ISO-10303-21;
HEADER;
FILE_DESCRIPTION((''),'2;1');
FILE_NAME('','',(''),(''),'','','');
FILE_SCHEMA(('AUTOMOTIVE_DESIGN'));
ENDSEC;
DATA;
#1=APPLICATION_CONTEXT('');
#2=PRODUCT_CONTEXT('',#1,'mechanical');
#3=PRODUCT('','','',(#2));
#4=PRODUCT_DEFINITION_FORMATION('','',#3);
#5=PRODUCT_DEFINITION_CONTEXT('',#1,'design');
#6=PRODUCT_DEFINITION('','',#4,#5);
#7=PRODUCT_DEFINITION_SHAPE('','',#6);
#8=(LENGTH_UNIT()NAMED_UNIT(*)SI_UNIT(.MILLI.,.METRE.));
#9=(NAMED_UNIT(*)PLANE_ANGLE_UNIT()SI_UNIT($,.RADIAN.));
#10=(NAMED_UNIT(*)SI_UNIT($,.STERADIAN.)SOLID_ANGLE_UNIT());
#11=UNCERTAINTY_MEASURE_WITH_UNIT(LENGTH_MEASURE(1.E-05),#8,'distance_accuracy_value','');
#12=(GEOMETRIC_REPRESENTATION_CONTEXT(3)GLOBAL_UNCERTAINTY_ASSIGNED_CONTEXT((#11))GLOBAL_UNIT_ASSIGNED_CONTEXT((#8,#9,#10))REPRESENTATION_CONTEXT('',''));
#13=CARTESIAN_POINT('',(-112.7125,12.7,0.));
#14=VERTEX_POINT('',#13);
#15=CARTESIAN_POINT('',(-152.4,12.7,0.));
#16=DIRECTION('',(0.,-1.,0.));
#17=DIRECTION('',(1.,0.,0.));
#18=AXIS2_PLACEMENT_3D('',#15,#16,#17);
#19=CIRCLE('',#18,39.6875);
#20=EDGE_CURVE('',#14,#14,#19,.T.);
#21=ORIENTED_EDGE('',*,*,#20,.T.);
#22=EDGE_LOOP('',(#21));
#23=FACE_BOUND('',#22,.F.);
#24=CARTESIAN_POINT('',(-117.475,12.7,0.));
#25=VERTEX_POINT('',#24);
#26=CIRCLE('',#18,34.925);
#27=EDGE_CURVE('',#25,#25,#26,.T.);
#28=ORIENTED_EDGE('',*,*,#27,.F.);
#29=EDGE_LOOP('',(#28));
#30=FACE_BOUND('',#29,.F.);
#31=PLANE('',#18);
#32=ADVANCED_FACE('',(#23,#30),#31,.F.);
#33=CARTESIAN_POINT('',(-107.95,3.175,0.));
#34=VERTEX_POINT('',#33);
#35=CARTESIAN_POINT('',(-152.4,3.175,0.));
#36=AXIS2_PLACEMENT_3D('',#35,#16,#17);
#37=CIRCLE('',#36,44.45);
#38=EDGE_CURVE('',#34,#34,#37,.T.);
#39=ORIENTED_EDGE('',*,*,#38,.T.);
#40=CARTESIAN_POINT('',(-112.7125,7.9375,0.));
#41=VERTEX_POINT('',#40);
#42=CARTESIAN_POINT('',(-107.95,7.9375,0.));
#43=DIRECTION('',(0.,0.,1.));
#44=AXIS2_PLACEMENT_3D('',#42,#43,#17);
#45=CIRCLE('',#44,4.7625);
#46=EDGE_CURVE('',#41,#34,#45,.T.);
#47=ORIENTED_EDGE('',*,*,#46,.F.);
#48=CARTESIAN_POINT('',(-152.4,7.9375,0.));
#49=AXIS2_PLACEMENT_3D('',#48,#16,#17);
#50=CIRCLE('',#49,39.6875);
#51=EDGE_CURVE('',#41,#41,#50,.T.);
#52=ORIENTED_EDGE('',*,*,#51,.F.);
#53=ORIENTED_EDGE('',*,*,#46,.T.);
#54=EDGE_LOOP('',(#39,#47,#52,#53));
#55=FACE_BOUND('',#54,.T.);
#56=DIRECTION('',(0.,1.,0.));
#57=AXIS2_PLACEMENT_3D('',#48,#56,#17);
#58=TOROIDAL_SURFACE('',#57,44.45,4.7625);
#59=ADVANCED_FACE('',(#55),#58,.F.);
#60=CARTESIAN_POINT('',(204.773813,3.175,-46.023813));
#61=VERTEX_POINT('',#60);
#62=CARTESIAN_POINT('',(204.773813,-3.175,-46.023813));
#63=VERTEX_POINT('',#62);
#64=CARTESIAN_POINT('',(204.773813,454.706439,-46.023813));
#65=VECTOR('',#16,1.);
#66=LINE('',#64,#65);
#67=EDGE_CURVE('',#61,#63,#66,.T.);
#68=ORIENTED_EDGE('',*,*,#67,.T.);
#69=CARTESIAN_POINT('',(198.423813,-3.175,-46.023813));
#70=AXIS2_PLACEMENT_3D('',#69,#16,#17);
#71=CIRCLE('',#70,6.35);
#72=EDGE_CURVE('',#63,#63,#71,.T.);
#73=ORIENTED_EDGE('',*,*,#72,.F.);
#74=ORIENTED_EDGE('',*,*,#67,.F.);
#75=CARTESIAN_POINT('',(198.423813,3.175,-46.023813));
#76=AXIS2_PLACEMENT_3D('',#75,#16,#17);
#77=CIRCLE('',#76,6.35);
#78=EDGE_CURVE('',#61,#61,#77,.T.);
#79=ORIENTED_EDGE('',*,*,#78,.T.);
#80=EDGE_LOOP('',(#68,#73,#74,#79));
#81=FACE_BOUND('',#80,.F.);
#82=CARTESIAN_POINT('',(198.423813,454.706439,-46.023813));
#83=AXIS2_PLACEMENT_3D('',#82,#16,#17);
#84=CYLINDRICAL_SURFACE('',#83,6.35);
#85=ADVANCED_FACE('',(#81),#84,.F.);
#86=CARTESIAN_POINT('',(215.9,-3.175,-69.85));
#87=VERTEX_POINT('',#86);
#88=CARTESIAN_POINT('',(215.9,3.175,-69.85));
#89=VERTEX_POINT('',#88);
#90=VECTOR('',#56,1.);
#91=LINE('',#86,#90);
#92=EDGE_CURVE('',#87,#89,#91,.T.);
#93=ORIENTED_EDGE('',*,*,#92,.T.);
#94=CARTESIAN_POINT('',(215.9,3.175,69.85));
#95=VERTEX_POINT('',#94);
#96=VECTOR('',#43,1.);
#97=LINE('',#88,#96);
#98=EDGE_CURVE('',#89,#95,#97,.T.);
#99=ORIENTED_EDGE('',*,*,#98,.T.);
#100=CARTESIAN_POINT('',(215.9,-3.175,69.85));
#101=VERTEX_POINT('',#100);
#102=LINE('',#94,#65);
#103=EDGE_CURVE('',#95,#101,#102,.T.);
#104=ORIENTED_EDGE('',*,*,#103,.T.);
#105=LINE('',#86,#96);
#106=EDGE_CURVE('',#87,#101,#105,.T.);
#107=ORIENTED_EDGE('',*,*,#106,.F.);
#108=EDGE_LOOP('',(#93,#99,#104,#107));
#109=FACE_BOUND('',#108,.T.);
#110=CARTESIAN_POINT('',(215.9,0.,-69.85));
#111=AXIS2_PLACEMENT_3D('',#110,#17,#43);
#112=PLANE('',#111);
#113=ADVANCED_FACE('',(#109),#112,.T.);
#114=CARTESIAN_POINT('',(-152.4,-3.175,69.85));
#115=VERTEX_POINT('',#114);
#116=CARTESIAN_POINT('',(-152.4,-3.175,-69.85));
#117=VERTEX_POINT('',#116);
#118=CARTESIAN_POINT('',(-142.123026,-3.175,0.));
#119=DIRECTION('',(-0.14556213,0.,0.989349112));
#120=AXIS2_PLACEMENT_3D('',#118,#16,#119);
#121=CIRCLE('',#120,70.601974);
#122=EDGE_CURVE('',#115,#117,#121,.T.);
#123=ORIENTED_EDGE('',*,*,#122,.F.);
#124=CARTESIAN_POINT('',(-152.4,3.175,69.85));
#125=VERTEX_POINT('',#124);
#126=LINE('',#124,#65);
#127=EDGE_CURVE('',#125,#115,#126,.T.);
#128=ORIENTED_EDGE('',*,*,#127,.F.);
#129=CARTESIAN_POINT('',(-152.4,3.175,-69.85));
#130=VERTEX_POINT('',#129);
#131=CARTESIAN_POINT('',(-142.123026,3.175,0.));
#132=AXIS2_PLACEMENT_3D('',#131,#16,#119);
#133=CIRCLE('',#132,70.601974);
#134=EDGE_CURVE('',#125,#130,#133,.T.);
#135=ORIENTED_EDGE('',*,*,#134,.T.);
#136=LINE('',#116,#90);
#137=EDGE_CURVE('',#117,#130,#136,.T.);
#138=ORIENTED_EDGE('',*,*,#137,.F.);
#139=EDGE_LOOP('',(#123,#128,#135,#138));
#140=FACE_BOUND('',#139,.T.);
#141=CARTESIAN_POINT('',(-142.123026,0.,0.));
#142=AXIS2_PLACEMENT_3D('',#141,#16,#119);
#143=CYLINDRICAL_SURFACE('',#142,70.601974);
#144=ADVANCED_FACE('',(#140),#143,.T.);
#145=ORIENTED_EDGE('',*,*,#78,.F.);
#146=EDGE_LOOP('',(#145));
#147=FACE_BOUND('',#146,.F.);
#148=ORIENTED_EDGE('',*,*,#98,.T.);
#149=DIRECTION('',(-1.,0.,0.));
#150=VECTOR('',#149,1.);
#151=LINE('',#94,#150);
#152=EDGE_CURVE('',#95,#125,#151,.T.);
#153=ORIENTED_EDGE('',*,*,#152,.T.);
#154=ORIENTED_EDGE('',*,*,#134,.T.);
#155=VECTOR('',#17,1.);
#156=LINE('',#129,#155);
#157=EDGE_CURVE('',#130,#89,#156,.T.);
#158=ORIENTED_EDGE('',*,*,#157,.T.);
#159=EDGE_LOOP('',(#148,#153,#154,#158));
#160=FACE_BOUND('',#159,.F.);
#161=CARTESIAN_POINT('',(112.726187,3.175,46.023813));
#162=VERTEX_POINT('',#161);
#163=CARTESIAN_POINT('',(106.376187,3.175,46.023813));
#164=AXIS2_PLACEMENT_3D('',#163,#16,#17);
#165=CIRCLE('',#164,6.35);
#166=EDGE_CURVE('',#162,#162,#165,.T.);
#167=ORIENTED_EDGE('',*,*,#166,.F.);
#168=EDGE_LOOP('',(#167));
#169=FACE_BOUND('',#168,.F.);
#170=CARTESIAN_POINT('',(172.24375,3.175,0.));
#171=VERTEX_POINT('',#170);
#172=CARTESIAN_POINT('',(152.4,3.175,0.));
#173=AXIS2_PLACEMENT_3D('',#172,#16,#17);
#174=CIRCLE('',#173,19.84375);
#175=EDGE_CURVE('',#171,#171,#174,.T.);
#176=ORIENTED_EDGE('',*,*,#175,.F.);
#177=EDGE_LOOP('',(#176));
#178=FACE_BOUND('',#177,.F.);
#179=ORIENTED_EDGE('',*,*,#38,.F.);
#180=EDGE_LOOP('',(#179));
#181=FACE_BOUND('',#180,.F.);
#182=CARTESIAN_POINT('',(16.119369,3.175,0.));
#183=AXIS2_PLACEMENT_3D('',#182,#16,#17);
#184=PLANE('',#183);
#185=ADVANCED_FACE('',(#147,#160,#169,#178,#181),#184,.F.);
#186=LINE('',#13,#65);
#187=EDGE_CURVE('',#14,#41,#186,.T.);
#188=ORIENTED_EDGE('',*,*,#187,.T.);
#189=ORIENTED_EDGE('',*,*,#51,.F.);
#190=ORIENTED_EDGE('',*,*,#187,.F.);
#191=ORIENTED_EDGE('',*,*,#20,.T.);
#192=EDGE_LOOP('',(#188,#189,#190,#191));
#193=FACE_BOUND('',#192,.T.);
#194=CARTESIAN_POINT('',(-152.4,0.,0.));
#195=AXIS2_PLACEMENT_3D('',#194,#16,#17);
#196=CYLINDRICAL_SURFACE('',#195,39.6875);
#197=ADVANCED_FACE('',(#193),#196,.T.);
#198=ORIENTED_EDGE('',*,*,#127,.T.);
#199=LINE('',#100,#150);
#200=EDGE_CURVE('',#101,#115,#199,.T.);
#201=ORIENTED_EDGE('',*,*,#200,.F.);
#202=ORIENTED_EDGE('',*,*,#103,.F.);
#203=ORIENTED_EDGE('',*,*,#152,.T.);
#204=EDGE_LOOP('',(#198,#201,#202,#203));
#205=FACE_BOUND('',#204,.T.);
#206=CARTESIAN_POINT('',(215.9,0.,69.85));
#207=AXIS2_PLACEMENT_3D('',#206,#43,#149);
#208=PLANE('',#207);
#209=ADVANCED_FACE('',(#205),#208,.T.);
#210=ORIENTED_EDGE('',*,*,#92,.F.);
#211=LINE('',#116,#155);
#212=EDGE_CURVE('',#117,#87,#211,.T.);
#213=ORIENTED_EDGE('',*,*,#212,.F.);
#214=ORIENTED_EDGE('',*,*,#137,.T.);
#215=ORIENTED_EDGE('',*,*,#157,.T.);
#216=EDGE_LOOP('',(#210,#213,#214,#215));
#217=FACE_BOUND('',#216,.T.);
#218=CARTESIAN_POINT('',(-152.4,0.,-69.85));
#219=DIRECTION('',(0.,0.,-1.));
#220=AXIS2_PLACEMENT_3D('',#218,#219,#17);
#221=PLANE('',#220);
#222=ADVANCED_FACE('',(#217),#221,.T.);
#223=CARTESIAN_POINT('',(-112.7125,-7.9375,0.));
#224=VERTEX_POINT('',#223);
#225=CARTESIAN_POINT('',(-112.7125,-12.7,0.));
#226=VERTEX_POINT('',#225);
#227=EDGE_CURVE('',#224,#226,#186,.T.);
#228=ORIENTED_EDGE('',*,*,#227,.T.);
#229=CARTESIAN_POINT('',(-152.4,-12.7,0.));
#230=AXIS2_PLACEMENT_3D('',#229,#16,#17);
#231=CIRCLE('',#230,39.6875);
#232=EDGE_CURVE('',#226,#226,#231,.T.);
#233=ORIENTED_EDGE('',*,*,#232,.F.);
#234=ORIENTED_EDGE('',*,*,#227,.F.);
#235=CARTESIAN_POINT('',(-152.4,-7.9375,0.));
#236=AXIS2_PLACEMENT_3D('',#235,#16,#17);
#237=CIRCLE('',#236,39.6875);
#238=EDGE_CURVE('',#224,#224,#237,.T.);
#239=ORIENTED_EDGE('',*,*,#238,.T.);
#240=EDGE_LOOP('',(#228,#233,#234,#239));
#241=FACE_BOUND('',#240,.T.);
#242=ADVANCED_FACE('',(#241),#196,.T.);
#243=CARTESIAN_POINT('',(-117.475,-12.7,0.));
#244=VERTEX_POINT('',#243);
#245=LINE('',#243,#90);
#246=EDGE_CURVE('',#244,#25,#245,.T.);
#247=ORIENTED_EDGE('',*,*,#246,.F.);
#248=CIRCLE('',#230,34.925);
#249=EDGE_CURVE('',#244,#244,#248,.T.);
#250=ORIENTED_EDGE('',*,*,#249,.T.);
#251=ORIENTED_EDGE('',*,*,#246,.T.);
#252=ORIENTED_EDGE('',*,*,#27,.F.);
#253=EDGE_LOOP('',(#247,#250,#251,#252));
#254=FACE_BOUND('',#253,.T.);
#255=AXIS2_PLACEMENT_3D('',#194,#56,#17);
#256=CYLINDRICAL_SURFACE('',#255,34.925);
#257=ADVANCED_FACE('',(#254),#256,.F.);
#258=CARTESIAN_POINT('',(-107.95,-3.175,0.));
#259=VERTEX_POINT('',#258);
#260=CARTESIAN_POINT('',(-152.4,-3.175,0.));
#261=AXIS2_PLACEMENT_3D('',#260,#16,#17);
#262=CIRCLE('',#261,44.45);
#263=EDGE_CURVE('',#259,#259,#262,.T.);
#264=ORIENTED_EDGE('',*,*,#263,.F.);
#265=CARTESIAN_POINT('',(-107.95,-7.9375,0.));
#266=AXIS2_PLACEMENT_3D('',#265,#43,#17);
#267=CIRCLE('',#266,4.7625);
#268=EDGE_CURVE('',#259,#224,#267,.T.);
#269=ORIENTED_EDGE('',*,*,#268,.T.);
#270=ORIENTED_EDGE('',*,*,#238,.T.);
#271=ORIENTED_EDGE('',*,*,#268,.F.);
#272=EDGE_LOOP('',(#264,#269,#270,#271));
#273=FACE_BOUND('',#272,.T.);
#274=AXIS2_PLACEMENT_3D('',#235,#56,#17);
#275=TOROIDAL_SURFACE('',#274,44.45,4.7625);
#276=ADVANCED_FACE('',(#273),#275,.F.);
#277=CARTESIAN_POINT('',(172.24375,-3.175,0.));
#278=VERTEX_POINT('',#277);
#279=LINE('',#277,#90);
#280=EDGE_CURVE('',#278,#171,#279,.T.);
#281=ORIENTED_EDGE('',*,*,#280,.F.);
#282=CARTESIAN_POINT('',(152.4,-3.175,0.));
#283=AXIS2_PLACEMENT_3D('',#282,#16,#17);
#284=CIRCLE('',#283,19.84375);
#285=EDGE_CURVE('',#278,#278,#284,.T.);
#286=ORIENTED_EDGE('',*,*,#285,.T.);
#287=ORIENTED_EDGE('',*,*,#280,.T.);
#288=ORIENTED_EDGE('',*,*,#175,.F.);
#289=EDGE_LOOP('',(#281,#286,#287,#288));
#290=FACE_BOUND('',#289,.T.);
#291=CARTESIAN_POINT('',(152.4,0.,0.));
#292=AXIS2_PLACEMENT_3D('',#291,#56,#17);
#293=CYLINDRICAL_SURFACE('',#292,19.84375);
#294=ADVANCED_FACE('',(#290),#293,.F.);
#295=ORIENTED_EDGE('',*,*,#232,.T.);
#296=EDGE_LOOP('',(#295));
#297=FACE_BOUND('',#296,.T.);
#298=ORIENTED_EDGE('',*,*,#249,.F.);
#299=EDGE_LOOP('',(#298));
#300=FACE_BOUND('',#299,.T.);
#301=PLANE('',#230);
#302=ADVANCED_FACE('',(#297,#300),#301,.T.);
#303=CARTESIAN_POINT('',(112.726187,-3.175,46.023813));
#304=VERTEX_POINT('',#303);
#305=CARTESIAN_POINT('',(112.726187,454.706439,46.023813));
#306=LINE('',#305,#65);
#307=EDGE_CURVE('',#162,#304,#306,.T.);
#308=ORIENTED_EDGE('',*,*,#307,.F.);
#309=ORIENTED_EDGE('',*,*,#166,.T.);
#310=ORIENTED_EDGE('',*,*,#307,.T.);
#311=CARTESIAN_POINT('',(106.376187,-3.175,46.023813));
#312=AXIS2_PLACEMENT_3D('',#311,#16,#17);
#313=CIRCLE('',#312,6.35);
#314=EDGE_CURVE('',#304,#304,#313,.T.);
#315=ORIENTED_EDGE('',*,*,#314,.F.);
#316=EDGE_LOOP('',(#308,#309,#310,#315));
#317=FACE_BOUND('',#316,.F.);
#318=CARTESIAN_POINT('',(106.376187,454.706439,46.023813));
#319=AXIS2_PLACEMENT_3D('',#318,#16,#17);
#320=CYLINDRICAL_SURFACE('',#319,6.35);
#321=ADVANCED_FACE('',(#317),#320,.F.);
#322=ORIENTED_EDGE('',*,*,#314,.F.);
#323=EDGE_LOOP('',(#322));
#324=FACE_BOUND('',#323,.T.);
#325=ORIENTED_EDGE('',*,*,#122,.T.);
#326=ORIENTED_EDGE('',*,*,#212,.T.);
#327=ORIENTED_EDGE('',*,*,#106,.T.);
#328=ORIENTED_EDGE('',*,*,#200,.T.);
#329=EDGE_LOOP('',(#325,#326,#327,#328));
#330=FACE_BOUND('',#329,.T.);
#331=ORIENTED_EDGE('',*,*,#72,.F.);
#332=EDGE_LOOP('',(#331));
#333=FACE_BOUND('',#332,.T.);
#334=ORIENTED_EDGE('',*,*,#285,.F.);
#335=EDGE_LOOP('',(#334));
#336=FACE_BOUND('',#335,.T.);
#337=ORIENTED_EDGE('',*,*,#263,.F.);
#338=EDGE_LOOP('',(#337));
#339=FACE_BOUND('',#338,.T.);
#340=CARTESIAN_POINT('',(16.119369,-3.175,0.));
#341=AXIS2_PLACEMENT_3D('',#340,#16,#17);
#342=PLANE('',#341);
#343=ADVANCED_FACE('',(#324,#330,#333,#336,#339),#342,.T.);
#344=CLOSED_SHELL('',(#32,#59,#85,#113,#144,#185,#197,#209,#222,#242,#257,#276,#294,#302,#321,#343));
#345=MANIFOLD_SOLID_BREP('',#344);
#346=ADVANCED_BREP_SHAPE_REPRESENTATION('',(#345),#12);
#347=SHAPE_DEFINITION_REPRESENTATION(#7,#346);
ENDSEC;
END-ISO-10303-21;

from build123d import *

# Parameters (mm, degrees)
F0_R     = 39.6875
F0_R_2   = 19.84375
F1_DEPTH = 3.175
F0_R_3   = 34.925
F2_DEPTH = 12.7
F3_R     = 4.7625
F5_D     = 12.7


with BuildPart() as f1:
    # F0 (on Front) → F1 (new body, symmetric)
    with BuildSketch(Plane.XZ):
        with BuildLine():
            Line((215.9, -69.85), (215.9, 69.85))
            Line((215.9, 69.85), (-152.4, 69.85))
            ThreePointArc((-152.4, 69.85), (-212.725, 0), (-152.4, -69.85))
            Line((-152.4, -69.85), (215.9, -69.85))
        make_face()
        with Locations((-152.4, 0)):
            Circle(F0_R, mode=Mode.SUBTRACT)
        with Locations((152.4, 0)):
            Circle(F0_R_2, mode=Mode.SUBTRACT)
    extrude(amount=F1_DEPTH, both=True)

    # F0 (on Front) → F2 (join, symmetric)
    with BuildSketch(Plane.XZ):
        with Locations((-152.4, 0)):
            Circle(F0_R)
        with Locations((-152.4, 0)):
            Circle(F0_R_3, mode=Mode.SUBTRACT)
    extrude(amount=F2_DEPTH, both=True)

    # F3
    f3_edges = [f1.edges().sort_by_distance(p)[0] for p in [
        (-192.0875, -3.175, 0),
        (-192.0875, 3.175, 0),
    ]]
    fillet(f3_edges, radius=F3_R)

    # F5 (through all)
    with Locations(Plane(origin=(0, 3.175, 0), x_dir=(-1, 0, 0), z_dir=(0, 1, 0))):
        with Locations((-106.376187, 46.023813), (-198.423813, -46.023813)):
            Hole(F5_D / 2)


solid = f1.part
